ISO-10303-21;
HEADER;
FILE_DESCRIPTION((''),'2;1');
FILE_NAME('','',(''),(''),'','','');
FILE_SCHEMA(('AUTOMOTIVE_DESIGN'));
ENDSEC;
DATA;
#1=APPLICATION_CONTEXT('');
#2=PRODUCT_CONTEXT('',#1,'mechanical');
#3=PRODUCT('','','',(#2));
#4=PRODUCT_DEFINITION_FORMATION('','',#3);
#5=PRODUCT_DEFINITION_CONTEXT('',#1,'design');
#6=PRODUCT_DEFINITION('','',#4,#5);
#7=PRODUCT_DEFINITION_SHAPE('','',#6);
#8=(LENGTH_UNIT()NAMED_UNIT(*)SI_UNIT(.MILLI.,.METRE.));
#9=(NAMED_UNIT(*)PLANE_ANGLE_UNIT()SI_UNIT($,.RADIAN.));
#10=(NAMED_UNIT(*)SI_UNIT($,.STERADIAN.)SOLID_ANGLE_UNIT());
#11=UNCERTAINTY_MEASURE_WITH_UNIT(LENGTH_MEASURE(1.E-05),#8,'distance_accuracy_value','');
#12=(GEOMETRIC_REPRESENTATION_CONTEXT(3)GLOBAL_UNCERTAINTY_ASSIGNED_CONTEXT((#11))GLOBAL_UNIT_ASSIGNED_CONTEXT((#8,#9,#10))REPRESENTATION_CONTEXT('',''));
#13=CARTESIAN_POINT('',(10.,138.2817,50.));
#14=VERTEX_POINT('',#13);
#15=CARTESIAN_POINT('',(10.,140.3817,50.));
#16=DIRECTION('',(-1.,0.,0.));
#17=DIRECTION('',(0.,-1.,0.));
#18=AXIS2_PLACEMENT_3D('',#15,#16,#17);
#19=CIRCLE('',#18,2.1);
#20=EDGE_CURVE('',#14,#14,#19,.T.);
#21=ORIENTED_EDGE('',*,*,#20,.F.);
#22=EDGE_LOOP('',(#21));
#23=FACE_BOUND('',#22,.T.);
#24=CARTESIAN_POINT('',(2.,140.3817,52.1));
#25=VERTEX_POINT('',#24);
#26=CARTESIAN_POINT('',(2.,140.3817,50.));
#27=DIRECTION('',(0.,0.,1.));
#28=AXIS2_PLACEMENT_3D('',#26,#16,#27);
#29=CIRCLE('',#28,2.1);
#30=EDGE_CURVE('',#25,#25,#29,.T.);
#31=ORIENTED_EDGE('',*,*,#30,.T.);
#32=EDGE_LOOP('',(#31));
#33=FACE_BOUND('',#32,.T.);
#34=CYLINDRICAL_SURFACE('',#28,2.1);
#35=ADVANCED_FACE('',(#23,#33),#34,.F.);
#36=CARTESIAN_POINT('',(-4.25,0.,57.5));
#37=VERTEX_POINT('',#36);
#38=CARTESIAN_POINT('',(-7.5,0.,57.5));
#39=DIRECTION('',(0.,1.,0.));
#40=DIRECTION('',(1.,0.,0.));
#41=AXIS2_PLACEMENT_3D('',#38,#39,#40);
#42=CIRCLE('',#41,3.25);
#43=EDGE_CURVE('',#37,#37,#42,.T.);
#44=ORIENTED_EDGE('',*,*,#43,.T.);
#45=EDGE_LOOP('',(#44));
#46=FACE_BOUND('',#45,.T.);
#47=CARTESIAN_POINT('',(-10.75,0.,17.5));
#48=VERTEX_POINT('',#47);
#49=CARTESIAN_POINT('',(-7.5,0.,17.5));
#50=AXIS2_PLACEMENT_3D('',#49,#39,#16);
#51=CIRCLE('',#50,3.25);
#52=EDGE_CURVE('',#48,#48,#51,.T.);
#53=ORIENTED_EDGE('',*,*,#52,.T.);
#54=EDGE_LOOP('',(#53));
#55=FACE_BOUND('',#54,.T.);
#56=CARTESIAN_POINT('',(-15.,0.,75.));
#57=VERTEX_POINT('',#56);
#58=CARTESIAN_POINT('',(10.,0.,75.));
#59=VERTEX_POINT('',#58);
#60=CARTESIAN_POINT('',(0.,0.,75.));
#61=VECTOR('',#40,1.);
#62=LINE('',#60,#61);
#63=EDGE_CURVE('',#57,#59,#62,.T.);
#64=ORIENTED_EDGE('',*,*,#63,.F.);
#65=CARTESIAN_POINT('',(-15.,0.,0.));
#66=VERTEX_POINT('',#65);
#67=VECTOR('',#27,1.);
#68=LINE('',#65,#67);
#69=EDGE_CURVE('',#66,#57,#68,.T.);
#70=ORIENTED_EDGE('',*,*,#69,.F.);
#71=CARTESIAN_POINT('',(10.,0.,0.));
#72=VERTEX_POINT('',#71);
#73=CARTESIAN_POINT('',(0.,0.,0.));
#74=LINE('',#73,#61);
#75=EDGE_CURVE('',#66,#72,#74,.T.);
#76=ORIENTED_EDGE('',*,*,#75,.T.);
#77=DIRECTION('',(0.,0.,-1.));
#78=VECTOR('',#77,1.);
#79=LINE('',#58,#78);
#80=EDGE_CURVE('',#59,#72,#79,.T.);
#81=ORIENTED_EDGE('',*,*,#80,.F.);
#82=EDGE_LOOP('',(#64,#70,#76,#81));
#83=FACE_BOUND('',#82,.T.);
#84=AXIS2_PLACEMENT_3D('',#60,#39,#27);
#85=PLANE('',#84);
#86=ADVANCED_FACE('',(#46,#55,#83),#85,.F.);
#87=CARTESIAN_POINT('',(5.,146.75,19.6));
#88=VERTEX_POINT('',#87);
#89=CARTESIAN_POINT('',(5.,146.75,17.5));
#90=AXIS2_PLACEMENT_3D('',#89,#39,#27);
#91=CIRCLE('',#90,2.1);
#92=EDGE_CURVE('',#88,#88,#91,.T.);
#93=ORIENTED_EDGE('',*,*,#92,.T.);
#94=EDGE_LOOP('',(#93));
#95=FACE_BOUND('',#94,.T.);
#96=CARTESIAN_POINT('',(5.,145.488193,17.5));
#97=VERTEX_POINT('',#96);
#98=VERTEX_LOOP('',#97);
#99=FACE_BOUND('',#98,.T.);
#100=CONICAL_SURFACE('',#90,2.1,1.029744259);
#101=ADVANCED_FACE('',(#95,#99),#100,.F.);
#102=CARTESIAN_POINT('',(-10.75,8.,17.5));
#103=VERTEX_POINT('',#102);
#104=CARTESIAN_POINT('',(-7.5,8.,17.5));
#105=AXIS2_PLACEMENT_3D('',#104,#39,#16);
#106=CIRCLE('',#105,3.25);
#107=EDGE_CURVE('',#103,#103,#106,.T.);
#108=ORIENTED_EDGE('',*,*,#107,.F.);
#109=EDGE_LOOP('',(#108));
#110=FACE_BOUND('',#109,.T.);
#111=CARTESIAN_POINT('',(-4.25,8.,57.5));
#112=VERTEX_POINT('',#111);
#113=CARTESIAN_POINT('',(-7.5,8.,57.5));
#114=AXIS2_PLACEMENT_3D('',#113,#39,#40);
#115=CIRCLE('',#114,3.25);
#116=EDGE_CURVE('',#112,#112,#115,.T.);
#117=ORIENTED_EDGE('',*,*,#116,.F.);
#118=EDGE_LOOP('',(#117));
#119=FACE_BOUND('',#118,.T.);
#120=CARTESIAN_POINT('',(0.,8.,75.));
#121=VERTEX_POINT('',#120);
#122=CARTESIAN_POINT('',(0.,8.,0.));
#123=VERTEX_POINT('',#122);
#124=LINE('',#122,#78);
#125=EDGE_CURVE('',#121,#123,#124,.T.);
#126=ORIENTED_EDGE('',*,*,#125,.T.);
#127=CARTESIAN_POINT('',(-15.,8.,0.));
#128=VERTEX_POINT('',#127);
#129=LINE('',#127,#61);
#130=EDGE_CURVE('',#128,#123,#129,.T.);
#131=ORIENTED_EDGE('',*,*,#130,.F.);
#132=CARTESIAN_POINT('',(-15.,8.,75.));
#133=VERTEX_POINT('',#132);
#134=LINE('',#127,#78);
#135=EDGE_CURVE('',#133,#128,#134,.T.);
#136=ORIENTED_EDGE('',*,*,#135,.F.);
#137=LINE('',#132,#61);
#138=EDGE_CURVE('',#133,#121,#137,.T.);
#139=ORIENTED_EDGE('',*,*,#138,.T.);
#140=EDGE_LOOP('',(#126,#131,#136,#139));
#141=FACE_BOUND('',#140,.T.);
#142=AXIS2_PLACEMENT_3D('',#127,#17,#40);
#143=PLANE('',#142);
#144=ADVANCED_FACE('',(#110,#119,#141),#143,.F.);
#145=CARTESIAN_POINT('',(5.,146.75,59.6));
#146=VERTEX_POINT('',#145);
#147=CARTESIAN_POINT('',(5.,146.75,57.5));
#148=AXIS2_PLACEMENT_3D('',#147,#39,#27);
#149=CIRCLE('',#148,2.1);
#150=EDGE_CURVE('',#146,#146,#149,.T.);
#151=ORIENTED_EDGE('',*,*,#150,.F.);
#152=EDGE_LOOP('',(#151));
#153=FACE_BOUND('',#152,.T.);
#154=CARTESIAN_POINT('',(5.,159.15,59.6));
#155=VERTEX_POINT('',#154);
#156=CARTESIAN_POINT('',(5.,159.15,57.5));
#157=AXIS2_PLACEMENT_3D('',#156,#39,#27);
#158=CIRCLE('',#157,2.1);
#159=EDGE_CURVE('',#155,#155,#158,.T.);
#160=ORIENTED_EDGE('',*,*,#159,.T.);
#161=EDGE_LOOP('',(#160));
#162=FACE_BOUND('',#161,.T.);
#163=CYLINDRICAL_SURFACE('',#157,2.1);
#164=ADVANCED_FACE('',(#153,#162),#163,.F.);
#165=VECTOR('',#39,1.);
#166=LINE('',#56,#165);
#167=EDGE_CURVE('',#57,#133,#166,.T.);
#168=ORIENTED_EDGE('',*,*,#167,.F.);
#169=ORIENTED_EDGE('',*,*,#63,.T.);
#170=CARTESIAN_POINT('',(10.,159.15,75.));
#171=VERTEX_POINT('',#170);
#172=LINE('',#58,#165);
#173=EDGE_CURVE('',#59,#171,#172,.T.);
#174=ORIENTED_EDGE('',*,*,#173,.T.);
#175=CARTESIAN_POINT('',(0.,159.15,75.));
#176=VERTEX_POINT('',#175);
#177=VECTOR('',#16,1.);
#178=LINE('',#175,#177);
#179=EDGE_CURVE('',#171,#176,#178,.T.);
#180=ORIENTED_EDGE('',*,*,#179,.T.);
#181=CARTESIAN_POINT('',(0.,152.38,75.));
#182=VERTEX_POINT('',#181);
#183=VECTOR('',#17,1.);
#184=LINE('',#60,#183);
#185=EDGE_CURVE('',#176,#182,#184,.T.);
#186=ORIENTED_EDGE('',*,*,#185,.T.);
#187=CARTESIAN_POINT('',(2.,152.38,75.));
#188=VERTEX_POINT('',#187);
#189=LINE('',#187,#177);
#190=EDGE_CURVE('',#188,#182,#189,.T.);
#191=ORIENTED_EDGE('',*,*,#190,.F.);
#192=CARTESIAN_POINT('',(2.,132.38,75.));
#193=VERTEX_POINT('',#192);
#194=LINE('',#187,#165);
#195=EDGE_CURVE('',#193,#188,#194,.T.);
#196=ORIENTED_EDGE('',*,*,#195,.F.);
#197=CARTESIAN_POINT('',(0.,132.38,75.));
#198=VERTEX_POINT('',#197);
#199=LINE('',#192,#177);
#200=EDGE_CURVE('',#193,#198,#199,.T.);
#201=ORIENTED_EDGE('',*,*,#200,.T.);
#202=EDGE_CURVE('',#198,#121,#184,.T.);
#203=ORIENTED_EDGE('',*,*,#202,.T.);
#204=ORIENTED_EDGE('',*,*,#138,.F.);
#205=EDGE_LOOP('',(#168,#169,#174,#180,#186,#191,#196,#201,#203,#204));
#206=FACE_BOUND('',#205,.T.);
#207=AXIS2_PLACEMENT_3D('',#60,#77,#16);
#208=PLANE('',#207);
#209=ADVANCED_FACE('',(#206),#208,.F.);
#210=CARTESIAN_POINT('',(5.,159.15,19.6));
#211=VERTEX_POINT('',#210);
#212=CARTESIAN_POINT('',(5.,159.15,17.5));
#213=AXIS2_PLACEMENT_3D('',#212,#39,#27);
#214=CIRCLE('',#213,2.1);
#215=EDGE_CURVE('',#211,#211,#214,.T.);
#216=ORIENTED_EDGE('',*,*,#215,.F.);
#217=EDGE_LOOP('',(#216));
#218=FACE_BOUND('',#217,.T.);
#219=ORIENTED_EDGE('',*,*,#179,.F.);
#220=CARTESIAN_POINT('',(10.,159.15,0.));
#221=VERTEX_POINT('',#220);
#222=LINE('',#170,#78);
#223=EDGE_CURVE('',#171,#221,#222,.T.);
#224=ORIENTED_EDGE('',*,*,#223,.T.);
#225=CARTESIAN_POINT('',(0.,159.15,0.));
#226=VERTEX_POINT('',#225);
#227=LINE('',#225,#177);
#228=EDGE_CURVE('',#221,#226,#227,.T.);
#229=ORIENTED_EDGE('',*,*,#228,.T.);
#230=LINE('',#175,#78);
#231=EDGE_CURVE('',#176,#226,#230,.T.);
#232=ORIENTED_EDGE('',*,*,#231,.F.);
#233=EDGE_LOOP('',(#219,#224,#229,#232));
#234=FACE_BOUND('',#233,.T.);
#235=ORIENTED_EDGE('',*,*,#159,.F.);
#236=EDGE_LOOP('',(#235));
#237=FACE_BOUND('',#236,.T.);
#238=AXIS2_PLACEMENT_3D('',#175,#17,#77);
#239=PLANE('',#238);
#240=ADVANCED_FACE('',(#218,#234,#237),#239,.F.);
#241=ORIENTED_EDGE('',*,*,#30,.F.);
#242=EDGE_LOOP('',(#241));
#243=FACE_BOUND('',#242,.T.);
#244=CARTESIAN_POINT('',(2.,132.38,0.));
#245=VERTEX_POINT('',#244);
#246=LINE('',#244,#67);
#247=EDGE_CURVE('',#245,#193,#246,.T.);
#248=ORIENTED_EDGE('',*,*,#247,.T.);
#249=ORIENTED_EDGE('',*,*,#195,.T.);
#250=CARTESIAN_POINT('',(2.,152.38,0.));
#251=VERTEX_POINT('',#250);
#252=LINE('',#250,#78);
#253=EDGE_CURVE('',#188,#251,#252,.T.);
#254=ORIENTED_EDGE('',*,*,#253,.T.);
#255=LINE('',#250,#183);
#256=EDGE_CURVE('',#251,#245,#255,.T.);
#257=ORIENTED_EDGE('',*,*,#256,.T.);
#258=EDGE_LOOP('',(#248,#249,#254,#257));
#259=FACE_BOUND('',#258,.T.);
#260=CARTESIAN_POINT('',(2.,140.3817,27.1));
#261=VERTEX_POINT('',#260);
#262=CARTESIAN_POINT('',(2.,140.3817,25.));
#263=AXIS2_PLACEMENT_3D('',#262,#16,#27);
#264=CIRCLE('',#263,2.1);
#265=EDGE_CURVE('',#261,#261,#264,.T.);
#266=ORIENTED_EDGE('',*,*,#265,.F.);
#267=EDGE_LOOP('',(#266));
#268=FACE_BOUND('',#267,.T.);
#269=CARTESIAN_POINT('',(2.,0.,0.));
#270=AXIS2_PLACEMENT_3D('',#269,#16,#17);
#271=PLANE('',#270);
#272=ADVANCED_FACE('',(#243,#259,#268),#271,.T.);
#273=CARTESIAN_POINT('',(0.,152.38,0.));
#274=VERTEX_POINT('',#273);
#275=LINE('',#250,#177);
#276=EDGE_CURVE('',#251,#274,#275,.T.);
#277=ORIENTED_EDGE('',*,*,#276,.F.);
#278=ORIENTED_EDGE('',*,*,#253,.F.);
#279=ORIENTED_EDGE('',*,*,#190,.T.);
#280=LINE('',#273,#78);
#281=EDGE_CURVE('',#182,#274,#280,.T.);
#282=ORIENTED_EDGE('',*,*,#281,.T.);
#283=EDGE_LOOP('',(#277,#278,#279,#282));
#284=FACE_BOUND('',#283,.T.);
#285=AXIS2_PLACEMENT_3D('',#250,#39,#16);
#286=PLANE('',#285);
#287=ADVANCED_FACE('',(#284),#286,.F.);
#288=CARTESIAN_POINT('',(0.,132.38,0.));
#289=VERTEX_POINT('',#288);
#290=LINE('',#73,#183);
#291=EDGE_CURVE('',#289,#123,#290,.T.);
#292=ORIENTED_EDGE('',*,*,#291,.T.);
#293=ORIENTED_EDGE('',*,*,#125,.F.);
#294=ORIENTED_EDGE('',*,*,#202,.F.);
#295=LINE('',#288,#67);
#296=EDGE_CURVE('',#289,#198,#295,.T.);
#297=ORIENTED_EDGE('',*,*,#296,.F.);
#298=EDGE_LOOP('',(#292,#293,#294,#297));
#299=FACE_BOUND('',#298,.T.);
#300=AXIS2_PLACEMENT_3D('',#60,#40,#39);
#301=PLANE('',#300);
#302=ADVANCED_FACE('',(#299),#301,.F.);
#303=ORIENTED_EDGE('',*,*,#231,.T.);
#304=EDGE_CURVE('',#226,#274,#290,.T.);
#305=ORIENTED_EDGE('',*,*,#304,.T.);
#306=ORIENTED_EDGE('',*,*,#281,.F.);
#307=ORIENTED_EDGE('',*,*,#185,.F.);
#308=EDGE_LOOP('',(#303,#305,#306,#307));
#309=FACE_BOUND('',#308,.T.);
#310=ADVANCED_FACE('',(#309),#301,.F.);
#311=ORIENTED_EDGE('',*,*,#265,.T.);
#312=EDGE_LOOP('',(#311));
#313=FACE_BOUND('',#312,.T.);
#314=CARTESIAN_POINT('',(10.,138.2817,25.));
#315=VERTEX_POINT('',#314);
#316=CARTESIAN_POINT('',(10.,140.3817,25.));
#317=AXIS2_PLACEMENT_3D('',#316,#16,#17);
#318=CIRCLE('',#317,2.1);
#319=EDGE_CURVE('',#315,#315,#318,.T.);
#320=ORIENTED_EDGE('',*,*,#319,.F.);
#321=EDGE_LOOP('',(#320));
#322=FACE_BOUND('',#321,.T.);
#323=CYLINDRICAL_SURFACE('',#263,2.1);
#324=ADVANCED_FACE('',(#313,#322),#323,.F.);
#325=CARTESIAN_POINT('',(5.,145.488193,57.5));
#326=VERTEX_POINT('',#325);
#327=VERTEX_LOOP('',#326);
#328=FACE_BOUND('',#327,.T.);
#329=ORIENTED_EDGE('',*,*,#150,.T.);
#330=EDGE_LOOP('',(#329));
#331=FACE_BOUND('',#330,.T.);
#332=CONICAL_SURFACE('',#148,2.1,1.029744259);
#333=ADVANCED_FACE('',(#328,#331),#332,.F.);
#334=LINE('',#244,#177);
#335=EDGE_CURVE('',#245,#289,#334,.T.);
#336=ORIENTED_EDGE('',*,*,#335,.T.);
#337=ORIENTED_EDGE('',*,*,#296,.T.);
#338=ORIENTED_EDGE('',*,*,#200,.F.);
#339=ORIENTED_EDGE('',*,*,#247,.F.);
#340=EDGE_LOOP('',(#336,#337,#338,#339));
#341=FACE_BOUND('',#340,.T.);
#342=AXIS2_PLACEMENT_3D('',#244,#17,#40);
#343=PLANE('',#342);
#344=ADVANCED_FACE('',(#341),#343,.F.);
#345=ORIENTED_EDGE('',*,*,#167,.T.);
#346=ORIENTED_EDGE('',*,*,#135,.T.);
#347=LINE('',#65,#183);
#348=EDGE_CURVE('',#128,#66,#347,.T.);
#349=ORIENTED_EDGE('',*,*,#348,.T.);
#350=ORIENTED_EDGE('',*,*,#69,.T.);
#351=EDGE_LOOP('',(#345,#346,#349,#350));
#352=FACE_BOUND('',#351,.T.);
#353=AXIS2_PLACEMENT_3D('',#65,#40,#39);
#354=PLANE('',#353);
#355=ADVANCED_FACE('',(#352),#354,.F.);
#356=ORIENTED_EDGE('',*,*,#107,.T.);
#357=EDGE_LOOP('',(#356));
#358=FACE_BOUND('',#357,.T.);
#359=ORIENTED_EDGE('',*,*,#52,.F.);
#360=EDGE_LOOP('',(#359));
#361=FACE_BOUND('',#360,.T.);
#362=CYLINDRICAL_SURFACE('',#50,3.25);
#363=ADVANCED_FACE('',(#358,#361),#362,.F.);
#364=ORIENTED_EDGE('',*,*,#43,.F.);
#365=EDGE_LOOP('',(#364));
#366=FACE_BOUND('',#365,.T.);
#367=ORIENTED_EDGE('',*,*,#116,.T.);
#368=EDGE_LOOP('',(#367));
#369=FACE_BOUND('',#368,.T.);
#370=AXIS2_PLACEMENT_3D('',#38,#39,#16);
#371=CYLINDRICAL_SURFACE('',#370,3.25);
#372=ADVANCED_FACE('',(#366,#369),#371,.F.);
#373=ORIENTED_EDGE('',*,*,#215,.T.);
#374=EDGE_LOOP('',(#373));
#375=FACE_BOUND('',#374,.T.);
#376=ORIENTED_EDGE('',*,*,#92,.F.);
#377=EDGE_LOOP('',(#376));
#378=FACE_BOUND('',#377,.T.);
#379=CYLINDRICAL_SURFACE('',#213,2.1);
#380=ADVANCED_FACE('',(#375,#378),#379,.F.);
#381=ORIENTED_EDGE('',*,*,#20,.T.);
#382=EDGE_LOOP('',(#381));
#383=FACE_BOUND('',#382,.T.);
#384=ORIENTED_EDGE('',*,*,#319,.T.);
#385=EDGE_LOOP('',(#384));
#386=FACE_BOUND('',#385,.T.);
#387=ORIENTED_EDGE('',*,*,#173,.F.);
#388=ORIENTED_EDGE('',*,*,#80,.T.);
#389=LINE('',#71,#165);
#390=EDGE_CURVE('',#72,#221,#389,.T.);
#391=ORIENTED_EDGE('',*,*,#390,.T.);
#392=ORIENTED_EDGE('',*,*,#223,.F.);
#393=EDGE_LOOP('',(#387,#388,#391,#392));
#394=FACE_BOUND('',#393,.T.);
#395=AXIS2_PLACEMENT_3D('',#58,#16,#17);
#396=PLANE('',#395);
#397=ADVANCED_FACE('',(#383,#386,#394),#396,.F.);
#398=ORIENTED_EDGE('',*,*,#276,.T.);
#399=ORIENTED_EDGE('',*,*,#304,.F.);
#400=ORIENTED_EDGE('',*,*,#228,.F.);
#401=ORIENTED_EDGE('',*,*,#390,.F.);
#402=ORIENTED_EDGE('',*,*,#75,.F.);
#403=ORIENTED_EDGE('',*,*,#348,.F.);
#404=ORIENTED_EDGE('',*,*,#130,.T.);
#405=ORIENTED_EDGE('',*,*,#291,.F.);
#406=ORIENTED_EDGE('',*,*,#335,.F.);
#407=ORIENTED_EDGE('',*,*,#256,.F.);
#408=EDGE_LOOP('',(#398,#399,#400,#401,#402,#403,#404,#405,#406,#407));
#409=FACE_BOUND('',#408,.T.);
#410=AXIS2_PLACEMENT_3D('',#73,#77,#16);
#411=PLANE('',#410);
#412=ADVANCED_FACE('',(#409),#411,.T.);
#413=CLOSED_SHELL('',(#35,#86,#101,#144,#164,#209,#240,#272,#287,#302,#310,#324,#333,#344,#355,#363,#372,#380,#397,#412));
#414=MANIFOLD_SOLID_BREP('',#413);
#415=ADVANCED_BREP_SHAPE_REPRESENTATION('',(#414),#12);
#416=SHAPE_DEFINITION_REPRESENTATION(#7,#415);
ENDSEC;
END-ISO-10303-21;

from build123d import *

# Parameters (mm, degrees)
SKETCH_1_W             = 10
SKETCH_1_H             = 159.15
EXTRUDE_1_DEPTH        = 75
HOLE_WIZARD_M5_1_D     = 4.2
HOLE_WIZARD_M5_1_DEPTH = 12.4
HOLE_WIZARD_M5_1_TIP   = 1.2618073
SKETCH_4_W             = 75
SKETCH_4_H             = 20
CUT_EXTRUDE_1_DEPTH    = 2
HOLE_WIZARD_M5_2_D     = 4.2
HOLE_WIZARD_M5_2_DEPTH = 12.4
HOLE_WIZARD_M5_2_TIP   = 1.2618073
SKETCH_7_W             = 75
SKETCH_7_H             = 8
EXTRUDE_2_DEPTH        = 15
SKETCH_8_R             = 3.25
CUT_EXTRUDE_2_DEPTH    = 9


with BuildPart() as part:
    # 草图1 → 凸台-拉伸1 (new body)
    with BuildSketch(Plane.XY):
        with Locations((5, 79.575)):
            Rectangle(SKETCH_1_W, SKETCH_1_H)
    extrude(amount=EXTRUDE_1_DEPTH)

    # M5 螺纹孔1
    with Locations(Plane(origin=(0, 159.15, 0), x_dir=(1, 0, 0), z_dir=(0, 1, 0))):
        with Locations((5, -57.5), (5, -17.5)):
            Hole(HOLE_WIZARD_M5_1_D / 2, depth=HOLE_WIZARD_M5_1_DEPTH)
            with Locations((0, 0, -(HOLE_WIZARD_M5_1_DEPTH + HOLE_WIZARD_M5_1_TIP / 2))):  # 118° drill point
                Cone(0, HOLE_WIZARD_M5_1_D / 2, HOLE_WIZARD_M5_1_TIP, mode=Mode.SUBTRACT)

    # 草图4 → 切除-拉伸1 (cut)
    with BuildSketch(Plane.ZY):
        with Locations((37.5, 142.38)):
            Rectangle(SKETCH_4_W, SKETCH_4_H)
    extrude(amount=-CUT_EXTRUDE_1_DEPTH, mode=Mode.SUBTRACT)

    # M5 螺纹孔2
    with Locations(Plane.ZY.offset(-2)):
        with Locations((25, 140.3817), (50, 140.3817)):
            Hole(HOLE_WIZARD_M5_2_D / 2, depth=HOLE_WIZARD_M5_2_DEPTH)
            with Locations((0, 0, -(HOLE_WIZARD_M5_2_DEPTH + HOLE_WIZARD_M5_2_TIP / 2))):  # 118° drill point
                Cone(0, HOLE_WIZARD_M5_2_D / 2, HOLE_WIZARD_M5_2_TIP, mode=Mode.SUBTRACT)

    # 草图7 → 凸台-拉伸2 (add)
    with BuildSketch(Plane.ZY):
        with Locations((37.5, 4)):
            Rectangle(SKETCH_7_W, SKETCH_7_H)
    extrude(amount=EXTRUDE_2_DEPTH)

    # 草图8 → 切除-拉伸2 (cut, through all)
    with BuildSketch(Plane(origin=(0, 8, 0), x_dir=(1, 0, 0), z_dir=(0, 1, 0))):
        with Locations((-7.5, -17.5)):
            Circle(SKETCH_8_R)
        with Locations((-7.5, -57.5)):
            Circle(SKETCH_8_R)
    extrude(amount=-CUT_EXTRUDE_2_DEPTH, mode=Mode.SUBTRACT)


solid = part.part
